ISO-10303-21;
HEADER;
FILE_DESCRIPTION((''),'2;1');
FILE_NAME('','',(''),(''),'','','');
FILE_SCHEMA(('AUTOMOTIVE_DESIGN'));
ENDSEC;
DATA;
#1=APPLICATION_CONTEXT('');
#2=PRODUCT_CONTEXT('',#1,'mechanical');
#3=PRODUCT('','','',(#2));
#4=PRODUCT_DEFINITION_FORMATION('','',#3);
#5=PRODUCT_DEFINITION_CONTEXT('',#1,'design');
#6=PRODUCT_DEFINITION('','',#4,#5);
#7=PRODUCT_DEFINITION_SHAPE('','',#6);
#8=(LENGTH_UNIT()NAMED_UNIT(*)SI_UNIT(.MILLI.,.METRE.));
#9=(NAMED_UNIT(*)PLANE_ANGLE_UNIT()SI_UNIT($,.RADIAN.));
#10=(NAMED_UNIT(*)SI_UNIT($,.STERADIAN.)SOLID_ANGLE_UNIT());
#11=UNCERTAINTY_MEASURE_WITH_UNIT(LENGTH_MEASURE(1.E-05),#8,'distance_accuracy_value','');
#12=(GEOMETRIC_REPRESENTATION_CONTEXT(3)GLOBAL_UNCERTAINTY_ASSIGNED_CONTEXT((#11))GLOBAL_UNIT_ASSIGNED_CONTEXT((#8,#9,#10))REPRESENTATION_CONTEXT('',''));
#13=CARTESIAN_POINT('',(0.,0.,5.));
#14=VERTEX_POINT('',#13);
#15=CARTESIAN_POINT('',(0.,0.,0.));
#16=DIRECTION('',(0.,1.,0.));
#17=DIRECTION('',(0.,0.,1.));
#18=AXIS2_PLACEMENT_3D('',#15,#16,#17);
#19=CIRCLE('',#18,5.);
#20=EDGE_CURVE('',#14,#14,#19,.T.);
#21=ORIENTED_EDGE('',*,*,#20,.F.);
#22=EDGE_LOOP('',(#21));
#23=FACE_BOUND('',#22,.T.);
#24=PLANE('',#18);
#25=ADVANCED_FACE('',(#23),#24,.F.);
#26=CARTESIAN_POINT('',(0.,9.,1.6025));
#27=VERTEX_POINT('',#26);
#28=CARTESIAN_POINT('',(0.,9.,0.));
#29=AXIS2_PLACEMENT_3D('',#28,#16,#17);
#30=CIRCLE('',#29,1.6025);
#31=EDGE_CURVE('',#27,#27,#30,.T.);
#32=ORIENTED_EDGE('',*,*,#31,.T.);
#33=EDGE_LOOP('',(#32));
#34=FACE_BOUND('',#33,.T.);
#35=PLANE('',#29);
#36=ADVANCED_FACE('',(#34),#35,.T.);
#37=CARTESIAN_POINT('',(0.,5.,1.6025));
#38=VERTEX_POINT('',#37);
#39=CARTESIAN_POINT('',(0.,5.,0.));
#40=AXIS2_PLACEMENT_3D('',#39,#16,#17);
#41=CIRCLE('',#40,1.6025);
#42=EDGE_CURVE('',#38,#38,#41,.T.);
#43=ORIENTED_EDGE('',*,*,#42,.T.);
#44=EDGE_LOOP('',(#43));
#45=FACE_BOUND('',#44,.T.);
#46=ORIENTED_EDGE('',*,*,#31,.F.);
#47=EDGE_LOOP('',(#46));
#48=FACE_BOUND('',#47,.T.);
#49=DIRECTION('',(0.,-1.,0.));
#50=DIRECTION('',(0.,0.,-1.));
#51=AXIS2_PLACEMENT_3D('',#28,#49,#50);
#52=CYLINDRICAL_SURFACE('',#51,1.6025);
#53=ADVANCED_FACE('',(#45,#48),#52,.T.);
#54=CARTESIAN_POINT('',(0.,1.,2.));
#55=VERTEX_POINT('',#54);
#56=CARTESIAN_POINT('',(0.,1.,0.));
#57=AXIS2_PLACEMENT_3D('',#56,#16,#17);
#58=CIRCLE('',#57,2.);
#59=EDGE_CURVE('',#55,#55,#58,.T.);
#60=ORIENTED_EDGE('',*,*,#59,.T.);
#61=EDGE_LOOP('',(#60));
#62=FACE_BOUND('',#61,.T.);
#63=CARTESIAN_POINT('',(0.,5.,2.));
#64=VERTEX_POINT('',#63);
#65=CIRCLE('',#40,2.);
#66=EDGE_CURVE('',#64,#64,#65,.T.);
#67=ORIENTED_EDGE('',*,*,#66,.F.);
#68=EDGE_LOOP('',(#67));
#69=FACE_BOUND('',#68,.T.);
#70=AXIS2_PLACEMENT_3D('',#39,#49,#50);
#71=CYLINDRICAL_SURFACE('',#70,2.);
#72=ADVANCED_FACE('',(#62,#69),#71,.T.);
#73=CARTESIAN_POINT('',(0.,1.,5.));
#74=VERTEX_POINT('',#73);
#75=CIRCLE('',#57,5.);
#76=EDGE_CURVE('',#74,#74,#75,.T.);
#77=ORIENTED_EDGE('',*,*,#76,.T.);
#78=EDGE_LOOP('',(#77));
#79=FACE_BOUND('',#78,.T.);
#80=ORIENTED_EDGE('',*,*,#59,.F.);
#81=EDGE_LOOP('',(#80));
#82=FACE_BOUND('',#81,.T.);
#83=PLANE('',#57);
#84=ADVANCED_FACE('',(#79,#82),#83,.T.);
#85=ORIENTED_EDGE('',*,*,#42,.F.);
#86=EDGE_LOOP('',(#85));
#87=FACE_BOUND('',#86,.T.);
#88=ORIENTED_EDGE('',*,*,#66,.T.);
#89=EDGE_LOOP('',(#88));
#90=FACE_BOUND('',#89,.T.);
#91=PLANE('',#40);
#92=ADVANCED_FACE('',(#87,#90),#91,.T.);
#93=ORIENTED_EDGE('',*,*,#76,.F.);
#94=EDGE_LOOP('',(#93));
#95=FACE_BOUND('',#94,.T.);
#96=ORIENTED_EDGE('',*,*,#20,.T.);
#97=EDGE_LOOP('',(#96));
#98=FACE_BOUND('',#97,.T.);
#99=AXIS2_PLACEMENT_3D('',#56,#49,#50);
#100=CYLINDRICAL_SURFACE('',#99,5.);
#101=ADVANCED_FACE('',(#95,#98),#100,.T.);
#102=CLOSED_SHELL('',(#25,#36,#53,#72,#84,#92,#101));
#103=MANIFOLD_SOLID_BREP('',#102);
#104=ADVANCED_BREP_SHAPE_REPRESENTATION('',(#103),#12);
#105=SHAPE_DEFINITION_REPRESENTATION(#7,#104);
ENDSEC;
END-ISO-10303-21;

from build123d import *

# Parameters (mm, degrees)
SKETCH1_R           = 5
BOSS_EXTRUDE1_DEPTH = 1
SKETCH2_R           = 2
BOSS_EXTRUDE2_DEPTH = 4
SKETCH3_R           = 1.6025
BOSS_EXTRUDE3_DEPTH = 4


with BuildPart() as part:
    # Sketch1 → Boss-Extrude1 (new body)
    with BuildSketch(Plane(origin=(0, 0, 0), x_dir=(1, 0, 0), z_dir=(0, 1, 0))):
        Circle(SKETCH1_R)
    extrude(amount=BOSS_EXTRUDE1_DEPTH)

    # Sketch2 → Boss-Extrude2 (add)
    with BuildSketch(Plane(origin=(0, 1, 0), x_dir=(1, 0, 0), z_dir=(0, 1, 0))):
        Circle(SKETCH2_R)
    extrude(amount=BOSS_EXTRUDE2_DEPTH)

    # Sketch3 → Boss-Extrude3 (add)
    with BuildSketch(Plane(origin=(0, 5, 0), x_dir=(1, 0, 0), z_dir=(0, 1, 0))):
        Circle(SKETCH3_R)
    extrude(amount=BOSS_EXTRUDE3_DEPTH)


solid = part.part
